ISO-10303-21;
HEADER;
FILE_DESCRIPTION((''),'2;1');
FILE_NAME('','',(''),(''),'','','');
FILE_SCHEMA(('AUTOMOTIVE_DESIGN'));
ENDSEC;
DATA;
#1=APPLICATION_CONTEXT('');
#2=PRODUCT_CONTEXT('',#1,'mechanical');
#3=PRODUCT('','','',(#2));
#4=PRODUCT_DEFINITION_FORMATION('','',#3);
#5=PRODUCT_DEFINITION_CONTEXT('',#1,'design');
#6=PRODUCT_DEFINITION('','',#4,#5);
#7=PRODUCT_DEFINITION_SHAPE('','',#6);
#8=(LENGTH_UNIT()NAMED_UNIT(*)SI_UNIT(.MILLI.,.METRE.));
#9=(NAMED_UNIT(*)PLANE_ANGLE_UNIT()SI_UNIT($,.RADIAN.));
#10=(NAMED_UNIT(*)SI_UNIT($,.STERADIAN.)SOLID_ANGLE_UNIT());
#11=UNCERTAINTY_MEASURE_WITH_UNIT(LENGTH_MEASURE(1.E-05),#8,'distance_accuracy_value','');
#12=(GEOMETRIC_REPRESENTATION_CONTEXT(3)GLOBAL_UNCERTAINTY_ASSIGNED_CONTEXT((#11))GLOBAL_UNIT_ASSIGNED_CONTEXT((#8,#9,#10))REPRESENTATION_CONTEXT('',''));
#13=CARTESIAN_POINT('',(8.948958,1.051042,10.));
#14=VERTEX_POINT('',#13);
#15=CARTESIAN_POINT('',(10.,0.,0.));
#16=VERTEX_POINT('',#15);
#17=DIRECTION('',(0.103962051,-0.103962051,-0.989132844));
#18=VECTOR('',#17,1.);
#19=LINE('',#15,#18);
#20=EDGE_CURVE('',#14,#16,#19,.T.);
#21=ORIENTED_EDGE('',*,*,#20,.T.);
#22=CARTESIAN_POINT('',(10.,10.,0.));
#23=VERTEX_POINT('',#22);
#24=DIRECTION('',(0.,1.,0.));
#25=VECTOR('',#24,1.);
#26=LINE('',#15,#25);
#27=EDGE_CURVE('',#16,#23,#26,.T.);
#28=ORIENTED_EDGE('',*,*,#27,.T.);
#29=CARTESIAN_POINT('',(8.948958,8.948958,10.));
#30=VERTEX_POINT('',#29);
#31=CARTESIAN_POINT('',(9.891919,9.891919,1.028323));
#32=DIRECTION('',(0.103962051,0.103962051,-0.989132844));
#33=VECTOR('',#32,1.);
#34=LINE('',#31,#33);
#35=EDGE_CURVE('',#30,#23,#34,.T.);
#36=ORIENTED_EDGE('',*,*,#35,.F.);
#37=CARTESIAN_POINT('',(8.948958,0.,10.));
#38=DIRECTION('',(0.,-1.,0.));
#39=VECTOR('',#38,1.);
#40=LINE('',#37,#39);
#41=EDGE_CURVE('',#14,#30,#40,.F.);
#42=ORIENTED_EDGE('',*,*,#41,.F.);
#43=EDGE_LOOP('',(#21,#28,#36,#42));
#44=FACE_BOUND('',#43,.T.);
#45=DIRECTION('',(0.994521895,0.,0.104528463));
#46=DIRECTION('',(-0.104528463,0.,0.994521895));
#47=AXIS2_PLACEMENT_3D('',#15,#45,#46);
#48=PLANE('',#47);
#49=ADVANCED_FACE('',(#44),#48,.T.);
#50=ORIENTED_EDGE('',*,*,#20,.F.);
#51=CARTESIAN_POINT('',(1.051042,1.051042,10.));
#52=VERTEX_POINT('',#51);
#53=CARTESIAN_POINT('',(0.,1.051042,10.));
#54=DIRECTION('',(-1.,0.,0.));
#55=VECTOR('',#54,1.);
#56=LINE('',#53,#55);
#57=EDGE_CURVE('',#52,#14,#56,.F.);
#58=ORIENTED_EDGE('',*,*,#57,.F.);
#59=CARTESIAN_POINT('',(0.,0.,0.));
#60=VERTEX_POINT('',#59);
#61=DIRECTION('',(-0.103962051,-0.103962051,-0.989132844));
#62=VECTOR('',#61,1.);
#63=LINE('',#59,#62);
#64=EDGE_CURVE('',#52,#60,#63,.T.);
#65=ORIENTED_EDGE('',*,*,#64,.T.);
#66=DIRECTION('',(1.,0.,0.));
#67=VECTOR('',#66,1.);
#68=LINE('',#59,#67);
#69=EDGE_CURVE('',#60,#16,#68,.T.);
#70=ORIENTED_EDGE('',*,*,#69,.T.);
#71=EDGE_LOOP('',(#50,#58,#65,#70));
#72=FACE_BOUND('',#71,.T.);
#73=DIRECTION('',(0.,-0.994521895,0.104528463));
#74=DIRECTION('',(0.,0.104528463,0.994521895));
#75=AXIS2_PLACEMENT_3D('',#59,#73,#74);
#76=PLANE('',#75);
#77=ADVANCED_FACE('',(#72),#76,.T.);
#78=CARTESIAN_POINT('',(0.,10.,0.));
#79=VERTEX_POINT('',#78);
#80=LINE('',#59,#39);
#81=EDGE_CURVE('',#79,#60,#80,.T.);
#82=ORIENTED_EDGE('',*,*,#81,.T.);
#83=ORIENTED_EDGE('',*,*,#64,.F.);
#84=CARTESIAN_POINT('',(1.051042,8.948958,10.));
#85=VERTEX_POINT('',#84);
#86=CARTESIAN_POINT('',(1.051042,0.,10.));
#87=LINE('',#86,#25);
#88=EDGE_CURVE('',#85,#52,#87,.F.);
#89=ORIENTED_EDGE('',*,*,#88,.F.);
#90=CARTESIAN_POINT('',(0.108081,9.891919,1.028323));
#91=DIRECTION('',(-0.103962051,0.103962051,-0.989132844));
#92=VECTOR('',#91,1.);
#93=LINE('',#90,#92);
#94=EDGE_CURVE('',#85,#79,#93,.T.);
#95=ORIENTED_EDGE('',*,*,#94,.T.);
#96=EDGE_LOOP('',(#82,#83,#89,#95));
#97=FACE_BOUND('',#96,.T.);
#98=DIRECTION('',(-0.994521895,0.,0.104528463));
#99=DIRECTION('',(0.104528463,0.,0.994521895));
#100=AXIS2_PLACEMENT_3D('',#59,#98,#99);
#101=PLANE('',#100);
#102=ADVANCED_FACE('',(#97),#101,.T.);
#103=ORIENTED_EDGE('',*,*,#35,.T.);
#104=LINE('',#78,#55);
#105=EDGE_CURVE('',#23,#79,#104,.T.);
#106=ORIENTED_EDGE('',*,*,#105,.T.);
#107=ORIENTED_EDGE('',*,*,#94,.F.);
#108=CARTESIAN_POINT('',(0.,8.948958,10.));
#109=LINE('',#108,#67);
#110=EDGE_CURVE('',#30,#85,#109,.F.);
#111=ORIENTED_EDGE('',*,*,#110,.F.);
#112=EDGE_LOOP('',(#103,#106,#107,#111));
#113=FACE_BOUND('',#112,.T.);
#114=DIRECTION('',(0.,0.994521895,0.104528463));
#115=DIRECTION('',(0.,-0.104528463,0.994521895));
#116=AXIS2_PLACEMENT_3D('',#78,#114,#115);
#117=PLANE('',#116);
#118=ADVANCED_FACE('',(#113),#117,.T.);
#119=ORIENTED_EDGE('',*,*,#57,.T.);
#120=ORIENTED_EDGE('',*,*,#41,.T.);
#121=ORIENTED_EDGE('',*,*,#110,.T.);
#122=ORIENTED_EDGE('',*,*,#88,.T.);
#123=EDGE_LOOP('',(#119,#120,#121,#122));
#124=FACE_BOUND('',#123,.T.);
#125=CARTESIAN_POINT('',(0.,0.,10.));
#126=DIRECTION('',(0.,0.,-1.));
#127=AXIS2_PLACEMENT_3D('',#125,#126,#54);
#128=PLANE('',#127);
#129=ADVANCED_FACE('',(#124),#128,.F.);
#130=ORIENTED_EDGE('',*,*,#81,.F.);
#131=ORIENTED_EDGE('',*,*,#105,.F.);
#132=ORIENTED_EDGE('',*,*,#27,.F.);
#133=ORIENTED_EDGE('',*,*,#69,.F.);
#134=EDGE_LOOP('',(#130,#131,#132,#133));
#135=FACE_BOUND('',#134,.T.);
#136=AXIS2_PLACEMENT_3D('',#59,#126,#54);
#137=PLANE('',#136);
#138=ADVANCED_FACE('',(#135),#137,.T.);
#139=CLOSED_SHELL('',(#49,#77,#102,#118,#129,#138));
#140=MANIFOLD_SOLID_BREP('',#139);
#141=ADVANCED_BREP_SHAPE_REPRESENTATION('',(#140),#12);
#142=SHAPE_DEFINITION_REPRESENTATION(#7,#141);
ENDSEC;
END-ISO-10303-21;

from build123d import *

# Parameters (mm, degrees)
SKETCH_1_W      = 10
SKETCH_1_H      = 10
EXTRUDE_1_DEPTH = 10
EXTRUDE_1_TAPER = 6


with BuildPart() as part:
    # 草图1 → 凸台-拉伸1 (new body)
    with BuildSketch(Plane.XY):
        with Locations((5, 5)):
            Rectangle(SKETCH_1_W, SKETCH_1_H)
    extrude(amount=EXTRUDE_1_DEPTH, taper=EXTRUDE_1_TAPER)


solid = part.part
